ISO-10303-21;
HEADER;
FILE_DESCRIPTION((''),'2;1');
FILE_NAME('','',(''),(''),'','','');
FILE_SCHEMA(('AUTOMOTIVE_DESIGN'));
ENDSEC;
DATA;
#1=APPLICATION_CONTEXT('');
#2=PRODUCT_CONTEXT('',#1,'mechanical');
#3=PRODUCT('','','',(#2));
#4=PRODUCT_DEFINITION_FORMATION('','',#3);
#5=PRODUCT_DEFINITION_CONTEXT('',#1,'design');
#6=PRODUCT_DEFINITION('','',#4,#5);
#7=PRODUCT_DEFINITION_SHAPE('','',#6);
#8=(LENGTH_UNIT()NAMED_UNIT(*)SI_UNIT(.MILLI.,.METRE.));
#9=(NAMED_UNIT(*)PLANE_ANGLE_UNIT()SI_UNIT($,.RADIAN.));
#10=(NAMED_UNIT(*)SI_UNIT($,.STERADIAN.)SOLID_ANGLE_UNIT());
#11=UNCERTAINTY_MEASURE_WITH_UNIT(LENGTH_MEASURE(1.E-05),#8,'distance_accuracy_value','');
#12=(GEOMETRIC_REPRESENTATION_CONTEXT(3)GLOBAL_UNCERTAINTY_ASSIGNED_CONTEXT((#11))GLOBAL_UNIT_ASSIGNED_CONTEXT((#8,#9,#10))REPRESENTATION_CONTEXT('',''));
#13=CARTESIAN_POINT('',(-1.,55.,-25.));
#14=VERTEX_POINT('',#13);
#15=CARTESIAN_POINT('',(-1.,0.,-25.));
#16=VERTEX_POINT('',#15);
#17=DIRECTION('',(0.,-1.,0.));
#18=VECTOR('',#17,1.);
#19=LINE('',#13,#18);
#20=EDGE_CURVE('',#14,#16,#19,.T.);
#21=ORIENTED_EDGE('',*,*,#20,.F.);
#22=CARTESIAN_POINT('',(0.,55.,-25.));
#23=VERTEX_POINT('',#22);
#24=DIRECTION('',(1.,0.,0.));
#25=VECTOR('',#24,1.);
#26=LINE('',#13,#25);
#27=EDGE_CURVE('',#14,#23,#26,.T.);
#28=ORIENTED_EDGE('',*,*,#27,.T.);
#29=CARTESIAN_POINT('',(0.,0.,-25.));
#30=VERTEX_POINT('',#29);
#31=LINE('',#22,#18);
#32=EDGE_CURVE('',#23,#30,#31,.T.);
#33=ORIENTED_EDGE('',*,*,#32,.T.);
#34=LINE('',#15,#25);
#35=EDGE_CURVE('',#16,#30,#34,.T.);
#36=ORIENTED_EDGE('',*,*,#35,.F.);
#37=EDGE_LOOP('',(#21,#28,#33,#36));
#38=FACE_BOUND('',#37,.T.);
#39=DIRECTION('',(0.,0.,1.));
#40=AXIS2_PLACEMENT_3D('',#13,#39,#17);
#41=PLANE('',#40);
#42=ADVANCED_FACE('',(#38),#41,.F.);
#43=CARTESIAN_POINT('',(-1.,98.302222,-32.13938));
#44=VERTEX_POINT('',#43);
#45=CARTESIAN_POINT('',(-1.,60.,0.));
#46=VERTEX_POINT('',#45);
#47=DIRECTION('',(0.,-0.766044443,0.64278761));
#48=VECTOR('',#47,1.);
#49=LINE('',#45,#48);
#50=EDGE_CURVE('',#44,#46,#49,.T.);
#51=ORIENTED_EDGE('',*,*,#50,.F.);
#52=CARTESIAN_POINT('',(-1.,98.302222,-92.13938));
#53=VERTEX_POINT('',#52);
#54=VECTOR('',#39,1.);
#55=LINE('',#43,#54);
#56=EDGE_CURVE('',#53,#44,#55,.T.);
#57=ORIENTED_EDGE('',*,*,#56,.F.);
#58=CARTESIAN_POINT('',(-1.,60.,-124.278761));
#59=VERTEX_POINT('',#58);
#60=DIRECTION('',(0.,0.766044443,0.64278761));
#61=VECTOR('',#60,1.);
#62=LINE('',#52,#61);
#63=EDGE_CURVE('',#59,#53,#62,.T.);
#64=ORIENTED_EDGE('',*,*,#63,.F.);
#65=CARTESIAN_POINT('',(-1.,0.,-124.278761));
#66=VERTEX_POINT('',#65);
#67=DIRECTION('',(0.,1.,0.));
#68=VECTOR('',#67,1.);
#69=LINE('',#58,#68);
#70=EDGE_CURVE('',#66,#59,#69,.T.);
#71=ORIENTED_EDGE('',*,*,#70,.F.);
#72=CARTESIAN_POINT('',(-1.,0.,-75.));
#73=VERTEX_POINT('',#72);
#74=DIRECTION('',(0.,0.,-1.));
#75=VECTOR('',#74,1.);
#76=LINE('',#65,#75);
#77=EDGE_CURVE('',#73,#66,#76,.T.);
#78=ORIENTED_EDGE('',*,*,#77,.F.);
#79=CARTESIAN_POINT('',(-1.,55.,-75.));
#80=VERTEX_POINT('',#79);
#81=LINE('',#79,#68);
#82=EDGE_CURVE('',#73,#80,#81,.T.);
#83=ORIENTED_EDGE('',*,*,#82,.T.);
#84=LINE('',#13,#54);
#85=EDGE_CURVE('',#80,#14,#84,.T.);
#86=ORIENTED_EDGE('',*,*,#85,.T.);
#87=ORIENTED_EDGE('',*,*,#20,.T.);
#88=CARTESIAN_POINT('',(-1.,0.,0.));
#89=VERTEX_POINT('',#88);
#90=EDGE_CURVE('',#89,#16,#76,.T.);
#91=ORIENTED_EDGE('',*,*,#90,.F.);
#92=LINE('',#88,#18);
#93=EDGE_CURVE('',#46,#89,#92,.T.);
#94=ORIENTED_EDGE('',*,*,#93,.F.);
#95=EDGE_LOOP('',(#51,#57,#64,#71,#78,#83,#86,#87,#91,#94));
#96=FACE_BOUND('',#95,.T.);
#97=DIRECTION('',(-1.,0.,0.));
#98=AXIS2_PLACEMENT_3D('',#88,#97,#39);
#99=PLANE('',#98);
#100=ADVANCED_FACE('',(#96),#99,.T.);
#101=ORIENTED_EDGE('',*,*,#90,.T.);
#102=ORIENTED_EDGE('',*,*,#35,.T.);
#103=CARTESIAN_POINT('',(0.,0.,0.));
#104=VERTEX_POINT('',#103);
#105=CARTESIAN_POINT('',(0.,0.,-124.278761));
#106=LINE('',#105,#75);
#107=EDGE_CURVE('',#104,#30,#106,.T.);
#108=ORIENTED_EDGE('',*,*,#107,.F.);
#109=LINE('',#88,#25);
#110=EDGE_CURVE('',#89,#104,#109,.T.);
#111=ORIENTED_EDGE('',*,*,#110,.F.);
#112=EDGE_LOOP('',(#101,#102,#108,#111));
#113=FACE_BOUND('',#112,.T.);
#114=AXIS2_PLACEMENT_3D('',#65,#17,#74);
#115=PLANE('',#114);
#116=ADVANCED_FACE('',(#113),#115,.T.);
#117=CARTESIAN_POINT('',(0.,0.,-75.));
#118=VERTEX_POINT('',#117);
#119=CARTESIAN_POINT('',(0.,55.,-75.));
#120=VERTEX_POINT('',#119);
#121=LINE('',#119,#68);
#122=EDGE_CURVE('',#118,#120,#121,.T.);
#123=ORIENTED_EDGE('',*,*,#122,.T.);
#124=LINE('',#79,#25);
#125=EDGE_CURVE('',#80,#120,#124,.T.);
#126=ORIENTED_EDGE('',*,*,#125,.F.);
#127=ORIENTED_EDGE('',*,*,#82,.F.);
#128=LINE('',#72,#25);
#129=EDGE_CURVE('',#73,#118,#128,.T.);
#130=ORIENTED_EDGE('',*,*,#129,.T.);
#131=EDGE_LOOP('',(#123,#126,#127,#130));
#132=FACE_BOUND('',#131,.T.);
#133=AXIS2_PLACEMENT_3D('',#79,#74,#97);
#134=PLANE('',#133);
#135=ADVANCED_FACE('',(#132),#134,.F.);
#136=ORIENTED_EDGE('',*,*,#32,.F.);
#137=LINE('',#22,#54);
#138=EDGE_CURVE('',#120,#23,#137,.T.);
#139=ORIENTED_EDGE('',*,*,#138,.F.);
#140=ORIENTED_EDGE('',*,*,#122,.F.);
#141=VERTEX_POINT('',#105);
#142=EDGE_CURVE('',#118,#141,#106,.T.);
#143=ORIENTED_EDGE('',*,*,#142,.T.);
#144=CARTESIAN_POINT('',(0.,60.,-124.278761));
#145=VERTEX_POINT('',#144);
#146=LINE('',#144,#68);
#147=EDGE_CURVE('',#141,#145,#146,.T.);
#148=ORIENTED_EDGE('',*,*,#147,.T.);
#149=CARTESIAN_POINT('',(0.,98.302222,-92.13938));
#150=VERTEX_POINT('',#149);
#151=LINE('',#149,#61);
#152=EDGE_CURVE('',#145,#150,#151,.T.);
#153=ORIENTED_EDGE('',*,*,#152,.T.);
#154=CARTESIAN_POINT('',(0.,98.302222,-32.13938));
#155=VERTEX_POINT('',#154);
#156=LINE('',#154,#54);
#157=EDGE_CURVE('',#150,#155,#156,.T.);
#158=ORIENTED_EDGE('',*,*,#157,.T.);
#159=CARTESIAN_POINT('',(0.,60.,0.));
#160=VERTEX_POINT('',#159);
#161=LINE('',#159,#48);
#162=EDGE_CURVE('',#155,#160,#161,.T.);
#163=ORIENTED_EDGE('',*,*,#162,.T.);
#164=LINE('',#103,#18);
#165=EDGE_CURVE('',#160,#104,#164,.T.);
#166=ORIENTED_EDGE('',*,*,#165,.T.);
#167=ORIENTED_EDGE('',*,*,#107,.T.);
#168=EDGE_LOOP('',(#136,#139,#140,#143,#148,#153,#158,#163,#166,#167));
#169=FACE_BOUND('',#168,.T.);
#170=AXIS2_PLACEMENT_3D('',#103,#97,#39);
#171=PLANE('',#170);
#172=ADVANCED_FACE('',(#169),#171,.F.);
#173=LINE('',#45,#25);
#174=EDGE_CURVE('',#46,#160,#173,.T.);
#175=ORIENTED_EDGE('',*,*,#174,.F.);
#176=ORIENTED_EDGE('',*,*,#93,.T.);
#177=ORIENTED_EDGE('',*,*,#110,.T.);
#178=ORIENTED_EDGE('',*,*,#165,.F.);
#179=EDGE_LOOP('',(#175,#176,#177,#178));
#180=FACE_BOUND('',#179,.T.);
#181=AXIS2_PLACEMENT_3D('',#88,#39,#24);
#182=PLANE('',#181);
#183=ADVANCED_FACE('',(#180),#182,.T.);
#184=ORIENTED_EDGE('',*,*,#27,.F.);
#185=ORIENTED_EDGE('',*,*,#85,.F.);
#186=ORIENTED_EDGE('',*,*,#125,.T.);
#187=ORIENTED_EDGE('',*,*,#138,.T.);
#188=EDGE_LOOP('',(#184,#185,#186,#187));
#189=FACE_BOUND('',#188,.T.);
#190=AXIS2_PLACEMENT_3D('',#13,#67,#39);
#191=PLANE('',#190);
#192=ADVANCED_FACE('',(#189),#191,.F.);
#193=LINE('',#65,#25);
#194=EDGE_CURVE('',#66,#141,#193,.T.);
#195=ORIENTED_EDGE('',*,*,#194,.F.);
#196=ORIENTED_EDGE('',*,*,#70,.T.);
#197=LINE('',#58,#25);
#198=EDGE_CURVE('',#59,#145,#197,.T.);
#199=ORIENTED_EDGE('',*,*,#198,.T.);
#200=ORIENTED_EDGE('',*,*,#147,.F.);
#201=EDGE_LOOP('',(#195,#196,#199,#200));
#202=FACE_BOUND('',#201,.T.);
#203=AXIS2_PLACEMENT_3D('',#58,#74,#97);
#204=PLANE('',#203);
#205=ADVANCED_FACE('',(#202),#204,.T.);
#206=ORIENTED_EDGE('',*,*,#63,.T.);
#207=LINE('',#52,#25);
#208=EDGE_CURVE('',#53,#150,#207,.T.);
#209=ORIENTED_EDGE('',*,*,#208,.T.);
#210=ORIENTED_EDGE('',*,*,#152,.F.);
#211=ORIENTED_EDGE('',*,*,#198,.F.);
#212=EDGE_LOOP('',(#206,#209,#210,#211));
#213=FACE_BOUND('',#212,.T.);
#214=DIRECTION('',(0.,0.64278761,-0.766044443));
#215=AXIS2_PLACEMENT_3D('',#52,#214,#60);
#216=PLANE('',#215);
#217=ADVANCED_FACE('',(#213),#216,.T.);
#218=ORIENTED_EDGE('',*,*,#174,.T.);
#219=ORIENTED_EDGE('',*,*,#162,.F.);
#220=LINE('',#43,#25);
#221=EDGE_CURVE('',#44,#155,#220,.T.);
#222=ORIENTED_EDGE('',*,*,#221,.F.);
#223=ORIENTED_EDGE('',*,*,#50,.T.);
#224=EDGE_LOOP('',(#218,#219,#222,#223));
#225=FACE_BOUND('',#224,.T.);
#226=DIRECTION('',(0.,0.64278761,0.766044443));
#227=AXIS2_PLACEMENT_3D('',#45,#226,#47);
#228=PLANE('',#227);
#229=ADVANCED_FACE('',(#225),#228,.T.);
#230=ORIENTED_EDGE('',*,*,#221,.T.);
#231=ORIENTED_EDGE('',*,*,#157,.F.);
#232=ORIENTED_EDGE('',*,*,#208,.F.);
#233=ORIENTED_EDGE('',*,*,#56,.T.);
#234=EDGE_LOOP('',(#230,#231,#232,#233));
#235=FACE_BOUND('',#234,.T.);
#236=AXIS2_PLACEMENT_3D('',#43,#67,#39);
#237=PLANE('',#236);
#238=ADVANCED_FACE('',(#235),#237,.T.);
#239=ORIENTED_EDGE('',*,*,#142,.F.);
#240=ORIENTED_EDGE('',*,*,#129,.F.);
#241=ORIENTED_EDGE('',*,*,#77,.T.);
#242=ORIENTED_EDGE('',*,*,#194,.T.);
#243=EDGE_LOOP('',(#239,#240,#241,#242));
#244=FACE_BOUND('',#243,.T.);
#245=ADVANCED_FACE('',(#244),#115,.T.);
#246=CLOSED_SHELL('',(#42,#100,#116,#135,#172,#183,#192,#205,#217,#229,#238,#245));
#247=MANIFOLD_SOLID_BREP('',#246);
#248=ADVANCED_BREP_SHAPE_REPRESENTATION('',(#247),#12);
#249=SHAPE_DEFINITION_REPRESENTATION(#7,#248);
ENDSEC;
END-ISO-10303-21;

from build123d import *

# Parameters (mm, degrees)
EXTRUDE_1_DEPTH     = 1
SKETCH_2_W          = 50
SKETCH_2_H          = 55
CUT_EXTRUDE_1_DEPTH = 1


with BuildPart() as part:
    # 草图1 → 凸台-拉伸1 (new body)
    with BuildSketch(Plane(origin=(0, 0, 0), x_dir=(0, 0, -1), z_dir=(1, 0, 0))):
        Polygon((0, 0), (0, 60), (32.139380484, 98.302222156), (92.139380484, 98.302222156), (124.278760969, 60), (124.278760969, 0), align=None)
    extrude(amount=-EXTRUDE_1_DEPTH)

    # 草图2 → 切除-拉伸1 (cut)
    with BuildSketch(Plane(origin=(0, 0, 0), x_dir=(0, 0, -1), z_dir=(1, 0, 0))):
        with Locations((50, 27.5)):
            Rectangle(SKETCH_2_W, SKETCH_2_H)
    extrude(amount=-CUT_EXTRUDE_1_DEPTH, mode=Mode.SUBTRACT)


solid = part.part
